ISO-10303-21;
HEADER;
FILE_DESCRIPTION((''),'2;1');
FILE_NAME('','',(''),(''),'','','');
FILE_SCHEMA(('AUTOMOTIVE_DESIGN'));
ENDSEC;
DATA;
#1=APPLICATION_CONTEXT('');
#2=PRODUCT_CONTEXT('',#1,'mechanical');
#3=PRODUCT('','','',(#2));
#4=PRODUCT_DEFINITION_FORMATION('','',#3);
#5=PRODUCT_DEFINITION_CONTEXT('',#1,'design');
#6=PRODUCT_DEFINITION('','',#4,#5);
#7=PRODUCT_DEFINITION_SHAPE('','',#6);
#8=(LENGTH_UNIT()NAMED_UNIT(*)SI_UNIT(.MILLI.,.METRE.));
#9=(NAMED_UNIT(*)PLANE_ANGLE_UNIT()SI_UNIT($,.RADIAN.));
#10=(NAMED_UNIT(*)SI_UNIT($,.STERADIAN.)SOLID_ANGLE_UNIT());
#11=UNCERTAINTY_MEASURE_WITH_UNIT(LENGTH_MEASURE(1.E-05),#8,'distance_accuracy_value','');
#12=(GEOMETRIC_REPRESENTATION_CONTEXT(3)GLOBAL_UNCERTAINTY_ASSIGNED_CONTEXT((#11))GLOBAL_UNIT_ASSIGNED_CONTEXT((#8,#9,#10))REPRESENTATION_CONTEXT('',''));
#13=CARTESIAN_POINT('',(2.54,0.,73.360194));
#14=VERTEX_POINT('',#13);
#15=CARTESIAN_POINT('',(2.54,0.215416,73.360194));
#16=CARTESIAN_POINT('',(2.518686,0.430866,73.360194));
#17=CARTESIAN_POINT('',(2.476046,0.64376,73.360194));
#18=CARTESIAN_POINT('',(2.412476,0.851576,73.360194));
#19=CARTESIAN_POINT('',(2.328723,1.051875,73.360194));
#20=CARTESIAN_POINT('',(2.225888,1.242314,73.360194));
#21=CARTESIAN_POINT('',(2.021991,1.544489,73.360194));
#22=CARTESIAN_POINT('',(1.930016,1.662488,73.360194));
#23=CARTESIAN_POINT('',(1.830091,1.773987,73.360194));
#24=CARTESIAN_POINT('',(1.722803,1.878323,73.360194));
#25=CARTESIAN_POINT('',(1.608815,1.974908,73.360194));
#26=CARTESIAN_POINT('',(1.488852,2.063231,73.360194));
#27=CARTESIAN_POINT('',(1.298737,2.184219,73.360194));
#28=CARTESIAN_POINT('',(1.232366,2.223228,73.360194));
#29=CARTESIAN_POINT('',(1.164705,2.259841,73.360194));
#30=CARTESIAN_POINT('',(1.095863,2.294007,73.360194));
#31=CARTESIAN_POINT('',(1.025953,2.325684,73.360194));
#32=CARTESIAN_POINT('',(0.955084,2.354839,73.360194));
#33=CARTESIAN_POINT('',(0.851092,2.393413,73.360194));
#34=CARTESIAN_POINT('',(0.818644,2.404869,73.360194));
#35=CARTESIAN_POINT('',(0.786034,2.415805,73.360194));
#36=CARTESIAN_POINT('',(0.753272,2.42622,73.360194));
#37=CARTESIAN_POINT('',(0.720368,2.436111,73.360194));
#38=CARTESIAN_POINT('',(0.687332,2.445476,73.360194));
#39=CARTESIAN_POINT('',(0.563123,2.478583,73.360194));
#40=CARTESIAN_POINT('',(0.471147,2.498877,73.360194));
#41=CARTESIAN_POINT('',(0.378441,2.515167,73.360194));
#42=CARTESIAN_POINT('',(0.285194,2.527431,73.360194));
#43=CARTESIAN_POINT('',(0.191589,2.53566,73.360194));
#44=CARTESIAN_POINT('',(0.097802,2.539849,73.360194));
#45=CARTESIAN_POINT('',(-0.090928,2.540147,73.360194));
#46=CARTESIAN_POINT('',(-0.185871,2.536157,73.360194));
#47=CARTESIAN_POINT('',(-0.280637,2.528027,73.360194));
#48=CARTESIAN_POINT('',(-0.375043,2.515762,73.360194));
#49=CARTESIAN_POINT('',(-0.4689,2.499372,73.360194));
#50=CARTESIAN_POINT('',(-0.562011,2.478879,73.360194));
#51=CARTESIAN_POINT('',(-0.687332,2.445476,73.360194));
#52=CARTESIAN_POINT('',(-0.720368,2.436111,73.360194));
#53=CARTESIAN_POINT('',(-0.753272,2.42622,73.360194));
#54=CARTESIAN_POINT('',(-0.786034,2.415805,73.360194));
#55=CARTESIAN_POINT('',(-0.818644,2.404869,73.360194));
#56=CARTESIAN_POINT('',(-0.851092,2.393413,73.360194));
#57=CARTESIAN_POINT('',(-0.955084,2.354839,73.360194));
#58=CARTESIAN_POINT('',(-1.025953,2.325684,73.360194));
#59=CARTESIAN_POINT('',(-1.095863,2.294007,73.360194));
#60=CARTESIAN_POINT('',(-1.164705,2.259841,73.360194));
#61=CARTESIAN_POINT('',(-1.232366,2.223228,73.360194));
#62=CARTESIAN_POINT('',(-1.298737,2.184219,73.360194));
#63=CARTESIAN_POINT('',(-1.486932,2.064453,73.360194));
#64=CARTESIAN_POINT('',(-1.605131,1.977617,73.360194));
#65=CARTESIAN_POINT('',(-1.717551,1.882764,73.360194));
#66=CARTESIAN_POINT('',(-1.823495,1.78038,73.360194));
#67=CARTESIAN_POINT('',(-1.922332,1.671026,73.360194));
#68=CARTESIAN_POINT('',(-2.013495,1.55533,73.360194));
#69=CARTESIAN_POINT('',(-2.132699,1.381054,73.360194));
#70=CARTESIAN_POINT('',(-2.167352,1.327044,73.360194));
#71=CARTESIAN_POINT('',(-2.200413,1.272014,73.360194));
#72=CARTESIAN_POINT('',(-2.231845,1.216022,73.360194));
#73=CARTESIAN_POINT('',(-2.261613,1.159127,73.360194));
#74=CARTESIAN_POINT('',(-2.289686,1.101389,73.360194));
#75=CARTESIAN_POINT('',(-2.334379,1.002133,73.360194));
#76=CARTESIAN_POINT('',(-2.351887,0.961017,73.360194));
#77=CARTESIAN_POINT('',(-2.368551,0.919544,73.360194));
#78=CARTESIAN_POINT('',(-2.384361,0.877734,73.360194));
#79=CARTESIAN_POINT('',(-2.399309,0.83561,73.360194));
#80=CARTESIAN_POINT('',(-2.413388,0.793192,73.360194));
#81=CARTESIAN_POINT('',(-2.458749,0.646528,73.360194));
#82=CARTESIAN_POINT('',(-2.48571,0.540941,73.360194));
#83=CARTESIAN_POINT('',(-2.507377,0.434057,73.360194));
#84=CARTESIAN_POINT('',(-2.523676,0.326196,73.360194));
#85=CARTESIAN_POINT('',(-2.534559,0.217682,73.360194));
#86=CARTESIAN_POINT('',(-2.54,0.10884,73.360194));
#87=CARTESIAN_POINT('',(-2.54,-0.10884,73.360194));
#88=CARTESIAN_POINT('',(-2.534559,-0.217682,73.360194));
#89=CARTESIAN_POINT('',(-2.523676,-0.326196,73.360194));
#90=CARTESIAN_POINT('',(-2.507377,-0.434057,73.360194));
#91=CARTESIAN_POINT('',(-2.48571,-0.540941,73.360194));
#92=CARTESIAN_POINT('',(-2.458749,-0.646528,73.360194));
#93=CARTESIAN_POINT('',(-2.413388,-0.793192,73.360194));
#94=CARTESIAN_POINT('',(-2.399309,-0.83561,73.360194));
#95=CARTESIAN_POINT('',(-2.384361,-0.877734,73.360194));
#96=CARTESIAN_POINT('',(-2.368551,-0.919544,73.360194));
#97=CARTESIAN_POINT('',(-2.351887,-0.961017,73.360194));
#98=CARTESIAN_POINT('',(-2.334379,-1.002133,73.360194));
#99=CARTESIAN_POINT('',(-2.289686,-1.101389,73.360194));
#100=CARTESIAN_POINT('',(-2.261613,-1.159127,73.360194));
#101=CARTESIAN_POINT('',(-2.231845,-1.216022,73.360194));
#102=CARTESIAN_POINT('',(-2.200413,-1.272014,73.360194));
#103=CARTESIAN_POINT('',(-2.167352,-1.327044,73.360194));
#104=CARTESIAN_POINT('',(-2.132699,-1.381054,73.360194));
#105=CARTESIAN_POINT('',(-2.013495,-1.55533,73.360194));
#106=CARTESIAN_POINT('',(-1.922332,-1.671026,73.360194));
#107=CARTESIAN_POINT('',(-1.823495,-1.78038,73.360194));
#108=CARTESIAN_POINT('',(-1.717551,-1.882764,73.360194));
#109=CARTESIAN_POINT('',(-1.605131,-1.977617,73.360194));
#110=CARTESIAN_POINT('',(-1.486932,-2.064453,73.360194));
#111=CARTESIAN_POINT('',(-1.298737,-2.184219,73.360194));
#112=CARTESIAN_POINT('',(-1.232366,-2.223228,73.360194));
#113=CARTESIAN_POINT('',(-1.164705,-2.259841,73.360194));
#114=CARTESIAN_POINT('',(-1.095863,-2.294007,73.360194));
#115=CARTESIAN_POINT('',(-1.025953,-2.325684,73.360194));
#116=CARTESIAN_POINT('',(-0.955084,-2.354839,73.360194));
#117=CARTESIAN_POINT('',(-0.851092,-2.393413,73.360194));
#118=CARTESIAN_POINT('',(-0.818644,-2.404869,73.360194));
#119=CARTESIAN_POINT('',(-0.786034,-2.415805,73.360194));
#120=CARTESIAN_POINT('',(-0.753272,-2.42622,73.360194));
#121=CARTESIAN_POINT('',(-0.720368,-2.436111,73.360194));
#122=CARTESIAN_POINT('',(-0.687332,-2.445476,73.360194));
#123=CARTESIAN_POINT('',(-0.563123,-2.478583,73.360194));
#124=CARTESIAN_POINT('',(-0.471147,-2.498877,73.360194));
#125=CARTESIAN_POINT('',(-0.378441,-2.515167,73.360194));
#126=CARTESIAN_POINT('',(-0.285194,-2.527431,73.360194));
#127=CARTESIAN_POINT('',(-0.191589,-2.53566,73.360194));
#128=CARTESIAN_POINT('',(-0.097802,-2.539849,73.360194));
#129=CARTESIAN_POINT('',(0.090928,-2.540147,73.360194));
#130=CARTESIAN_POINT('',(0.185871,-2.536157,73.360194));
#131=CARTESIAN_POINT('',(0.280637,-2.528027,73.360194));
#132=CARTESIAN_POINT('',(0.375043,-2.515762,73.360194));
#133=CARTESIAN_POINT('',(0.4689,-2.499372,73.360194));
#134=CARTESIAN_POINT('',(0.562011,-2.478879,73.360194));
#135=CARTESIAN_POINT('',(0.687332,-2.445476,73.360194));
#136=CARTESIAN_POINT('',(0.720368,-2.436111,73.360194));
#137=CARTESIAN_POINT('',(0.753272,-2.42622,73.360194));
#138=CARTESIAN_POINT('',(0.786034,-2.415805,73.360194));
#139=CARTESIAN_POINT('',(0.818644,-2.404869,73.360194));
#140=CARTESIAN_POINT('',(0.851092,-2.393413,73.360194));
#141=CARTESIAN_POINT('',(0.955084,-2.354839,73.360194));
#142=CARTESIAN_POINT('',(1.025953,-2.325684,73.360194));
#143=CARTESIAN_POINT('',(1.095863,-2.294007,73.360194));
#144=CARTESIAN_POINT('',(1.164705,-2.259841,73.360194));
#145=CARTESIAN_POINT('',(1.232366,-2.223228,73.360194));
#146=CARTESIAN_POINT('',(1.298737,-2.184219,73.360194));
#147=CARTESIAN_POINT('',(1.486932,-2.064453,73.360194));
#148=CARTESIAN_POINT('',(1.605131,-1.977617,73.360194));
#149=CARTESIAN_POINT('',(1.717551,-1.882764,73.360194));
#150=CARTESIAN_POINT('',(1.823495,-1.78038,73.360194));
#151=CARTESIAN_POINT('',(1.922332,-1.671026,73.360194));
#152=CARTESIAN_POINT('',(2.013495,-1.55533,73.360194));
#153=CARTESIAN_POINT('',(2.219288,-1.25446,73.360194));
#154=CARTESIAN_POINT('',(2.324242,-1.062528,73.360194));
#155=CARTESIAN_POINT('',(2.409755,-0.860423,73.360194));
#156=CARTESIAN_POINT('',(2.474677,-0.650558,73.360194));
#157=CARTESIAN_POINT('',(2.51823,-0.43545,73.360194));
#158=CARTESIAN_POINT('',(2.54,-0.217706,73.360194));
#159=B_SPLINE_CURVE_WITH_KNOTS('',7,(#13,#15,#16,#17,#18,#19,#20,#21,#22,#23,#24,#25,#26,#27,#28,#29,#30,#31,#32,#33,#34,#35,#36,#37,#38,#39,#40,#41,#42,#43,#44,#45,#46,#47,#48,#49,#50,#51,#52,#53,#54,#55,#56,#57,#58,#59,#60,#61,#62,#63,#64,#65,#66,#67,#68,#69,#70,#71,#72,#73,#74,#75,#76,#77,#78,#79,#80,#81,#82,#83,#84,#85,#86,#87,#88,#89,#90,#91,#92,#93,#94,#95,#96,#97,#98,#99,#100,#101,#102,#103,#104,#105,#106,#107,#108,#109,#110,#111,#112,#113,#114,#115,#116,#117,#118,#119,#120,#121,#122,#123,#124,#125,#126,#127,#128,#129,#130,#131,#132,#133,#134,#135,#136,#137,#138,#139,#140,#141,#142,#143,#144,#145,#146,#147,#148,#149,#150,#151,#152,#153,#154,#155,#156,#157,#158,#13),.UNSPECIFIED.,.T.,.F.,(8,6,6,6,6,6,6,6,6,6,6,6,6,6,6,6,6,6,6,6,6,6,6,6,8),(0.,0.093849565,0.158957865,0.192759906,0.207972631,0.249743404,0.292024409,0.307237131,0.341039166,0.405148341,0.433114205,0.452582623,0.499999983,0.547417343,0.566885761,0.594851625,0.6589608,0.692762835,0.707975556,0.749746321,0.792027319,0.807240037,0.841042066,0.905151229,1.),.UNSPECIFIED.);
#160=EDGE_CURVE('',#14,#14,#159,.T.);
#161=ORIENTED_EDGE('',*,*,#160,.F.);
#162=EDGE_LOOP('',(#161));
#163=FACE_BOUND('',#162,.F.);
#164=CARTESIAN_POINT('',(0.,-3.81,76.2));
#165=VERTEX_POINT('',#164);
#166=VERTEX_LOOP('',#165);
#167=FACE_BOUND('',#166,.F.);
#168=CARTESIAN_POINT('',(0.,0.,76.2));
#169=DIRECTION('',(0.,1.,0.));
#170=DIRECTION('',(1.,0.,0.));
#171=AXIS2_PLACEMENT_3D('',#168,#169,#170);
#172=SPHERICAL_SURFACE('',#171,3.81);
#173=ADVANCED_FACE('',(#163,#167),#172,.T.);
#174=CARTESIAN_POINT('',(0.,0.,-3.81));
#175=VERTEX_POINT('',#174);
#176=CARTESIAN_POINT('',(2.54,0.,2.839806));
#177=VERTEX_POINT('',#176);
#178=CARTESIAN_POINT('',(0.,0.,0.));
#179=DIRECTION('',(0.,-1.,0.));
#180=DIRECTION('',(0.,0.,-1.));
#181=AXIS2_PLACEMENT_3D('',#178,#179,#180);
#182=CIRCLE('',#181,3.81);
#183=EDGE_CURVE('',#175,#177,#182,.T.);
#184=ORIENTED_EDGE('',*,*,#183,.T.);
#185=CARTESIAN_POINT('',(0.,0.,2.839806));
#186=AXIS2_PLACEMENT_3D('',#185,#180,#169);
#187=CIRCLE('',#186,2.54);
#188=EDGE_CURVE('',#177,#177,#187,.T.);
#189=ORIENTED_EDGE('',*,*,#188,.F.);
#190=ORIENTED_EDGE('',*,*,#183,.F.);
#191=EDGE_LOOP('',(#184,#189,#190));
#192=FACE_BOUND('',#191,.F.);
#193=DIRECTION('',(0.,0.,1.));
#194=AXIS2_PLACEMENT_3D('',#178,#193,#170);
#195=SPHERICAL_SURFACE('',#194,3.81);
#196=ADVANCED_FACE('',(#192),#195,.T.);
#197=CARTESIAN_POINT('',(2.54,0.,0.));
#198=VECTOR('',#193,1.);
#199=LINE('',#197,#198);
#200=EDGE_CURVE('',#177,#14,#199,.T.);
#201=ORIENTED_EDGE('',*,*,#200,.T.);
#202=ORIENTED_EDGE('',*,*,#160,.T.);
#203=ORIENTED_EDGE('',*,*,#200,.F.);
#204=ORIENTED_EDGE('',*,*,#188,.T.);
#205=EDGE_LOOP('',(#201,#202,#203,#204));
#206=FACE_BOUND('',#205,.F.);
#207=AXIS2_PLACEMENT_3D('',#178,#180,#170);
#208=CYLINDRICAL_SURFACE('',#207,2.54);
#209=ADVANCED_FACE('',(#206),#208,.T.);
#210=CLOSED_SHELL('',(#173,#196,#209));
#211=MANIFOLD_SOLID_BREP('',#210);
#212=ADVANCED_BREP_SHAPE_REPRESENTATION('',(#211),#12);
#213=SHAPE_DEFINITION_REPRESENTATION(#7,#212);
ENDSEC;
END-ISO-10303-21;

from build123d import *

# Parameters (mm, degrees)
F2_R     = 2.54
F3_DEPTH = 76.2


with BuildPart() as f1:
    # F0 (on Front) → F1 (revolve)
    with BuildSketch(Plane.XZ):
        with BuildLine():
            Line((0, 3.81), (0, -3.81))
            ThreePointArc((0, -3.81), (3.81, 0), (0, 3.81))
        make_face()
    revolve(axis=Axis((0, 0, 0), (0, 0, -1)))

    # F2 (on Top) → F3 (join)
    with BuildSketch(Plane.XY):
        Circle(F2_R)
    extrude(amount=F3_DEPTH)

    # F4 (on face) → F5 (revolve)
    with BuildSketch(Plane.XY.offset(76.2)):
        with BuildLine():
            Line((0, -2.54), (0, -3.81))
            ThreePointArc((0, -3.81), (3.81, 0), (0, 3.81))
            Line((0, 3.81), (0, 2.54))
            ThreePointArc((0, 2.54), (1.7960512242, 1.7960512242), (2.54, 0))
            ThreePointArc((2.54, 0), (1.7960512242, -1.7960512242), (0, -2.54))
        make_face()
        with BuildLine():
            Line((0, 2.54), (0, -2.54))
            ThreePointArc((0, -2.54), (1.7960512242, -1.7960512242), (2.54, 0))
            ThreePointArc((2.54, 0), (1.7960512242, 1.7960512242), (0, 2.54))
        make_face()
    revolve(axis=Axis((0, 0, 76.2), (0, -1, 0)))


solid = f1.part
